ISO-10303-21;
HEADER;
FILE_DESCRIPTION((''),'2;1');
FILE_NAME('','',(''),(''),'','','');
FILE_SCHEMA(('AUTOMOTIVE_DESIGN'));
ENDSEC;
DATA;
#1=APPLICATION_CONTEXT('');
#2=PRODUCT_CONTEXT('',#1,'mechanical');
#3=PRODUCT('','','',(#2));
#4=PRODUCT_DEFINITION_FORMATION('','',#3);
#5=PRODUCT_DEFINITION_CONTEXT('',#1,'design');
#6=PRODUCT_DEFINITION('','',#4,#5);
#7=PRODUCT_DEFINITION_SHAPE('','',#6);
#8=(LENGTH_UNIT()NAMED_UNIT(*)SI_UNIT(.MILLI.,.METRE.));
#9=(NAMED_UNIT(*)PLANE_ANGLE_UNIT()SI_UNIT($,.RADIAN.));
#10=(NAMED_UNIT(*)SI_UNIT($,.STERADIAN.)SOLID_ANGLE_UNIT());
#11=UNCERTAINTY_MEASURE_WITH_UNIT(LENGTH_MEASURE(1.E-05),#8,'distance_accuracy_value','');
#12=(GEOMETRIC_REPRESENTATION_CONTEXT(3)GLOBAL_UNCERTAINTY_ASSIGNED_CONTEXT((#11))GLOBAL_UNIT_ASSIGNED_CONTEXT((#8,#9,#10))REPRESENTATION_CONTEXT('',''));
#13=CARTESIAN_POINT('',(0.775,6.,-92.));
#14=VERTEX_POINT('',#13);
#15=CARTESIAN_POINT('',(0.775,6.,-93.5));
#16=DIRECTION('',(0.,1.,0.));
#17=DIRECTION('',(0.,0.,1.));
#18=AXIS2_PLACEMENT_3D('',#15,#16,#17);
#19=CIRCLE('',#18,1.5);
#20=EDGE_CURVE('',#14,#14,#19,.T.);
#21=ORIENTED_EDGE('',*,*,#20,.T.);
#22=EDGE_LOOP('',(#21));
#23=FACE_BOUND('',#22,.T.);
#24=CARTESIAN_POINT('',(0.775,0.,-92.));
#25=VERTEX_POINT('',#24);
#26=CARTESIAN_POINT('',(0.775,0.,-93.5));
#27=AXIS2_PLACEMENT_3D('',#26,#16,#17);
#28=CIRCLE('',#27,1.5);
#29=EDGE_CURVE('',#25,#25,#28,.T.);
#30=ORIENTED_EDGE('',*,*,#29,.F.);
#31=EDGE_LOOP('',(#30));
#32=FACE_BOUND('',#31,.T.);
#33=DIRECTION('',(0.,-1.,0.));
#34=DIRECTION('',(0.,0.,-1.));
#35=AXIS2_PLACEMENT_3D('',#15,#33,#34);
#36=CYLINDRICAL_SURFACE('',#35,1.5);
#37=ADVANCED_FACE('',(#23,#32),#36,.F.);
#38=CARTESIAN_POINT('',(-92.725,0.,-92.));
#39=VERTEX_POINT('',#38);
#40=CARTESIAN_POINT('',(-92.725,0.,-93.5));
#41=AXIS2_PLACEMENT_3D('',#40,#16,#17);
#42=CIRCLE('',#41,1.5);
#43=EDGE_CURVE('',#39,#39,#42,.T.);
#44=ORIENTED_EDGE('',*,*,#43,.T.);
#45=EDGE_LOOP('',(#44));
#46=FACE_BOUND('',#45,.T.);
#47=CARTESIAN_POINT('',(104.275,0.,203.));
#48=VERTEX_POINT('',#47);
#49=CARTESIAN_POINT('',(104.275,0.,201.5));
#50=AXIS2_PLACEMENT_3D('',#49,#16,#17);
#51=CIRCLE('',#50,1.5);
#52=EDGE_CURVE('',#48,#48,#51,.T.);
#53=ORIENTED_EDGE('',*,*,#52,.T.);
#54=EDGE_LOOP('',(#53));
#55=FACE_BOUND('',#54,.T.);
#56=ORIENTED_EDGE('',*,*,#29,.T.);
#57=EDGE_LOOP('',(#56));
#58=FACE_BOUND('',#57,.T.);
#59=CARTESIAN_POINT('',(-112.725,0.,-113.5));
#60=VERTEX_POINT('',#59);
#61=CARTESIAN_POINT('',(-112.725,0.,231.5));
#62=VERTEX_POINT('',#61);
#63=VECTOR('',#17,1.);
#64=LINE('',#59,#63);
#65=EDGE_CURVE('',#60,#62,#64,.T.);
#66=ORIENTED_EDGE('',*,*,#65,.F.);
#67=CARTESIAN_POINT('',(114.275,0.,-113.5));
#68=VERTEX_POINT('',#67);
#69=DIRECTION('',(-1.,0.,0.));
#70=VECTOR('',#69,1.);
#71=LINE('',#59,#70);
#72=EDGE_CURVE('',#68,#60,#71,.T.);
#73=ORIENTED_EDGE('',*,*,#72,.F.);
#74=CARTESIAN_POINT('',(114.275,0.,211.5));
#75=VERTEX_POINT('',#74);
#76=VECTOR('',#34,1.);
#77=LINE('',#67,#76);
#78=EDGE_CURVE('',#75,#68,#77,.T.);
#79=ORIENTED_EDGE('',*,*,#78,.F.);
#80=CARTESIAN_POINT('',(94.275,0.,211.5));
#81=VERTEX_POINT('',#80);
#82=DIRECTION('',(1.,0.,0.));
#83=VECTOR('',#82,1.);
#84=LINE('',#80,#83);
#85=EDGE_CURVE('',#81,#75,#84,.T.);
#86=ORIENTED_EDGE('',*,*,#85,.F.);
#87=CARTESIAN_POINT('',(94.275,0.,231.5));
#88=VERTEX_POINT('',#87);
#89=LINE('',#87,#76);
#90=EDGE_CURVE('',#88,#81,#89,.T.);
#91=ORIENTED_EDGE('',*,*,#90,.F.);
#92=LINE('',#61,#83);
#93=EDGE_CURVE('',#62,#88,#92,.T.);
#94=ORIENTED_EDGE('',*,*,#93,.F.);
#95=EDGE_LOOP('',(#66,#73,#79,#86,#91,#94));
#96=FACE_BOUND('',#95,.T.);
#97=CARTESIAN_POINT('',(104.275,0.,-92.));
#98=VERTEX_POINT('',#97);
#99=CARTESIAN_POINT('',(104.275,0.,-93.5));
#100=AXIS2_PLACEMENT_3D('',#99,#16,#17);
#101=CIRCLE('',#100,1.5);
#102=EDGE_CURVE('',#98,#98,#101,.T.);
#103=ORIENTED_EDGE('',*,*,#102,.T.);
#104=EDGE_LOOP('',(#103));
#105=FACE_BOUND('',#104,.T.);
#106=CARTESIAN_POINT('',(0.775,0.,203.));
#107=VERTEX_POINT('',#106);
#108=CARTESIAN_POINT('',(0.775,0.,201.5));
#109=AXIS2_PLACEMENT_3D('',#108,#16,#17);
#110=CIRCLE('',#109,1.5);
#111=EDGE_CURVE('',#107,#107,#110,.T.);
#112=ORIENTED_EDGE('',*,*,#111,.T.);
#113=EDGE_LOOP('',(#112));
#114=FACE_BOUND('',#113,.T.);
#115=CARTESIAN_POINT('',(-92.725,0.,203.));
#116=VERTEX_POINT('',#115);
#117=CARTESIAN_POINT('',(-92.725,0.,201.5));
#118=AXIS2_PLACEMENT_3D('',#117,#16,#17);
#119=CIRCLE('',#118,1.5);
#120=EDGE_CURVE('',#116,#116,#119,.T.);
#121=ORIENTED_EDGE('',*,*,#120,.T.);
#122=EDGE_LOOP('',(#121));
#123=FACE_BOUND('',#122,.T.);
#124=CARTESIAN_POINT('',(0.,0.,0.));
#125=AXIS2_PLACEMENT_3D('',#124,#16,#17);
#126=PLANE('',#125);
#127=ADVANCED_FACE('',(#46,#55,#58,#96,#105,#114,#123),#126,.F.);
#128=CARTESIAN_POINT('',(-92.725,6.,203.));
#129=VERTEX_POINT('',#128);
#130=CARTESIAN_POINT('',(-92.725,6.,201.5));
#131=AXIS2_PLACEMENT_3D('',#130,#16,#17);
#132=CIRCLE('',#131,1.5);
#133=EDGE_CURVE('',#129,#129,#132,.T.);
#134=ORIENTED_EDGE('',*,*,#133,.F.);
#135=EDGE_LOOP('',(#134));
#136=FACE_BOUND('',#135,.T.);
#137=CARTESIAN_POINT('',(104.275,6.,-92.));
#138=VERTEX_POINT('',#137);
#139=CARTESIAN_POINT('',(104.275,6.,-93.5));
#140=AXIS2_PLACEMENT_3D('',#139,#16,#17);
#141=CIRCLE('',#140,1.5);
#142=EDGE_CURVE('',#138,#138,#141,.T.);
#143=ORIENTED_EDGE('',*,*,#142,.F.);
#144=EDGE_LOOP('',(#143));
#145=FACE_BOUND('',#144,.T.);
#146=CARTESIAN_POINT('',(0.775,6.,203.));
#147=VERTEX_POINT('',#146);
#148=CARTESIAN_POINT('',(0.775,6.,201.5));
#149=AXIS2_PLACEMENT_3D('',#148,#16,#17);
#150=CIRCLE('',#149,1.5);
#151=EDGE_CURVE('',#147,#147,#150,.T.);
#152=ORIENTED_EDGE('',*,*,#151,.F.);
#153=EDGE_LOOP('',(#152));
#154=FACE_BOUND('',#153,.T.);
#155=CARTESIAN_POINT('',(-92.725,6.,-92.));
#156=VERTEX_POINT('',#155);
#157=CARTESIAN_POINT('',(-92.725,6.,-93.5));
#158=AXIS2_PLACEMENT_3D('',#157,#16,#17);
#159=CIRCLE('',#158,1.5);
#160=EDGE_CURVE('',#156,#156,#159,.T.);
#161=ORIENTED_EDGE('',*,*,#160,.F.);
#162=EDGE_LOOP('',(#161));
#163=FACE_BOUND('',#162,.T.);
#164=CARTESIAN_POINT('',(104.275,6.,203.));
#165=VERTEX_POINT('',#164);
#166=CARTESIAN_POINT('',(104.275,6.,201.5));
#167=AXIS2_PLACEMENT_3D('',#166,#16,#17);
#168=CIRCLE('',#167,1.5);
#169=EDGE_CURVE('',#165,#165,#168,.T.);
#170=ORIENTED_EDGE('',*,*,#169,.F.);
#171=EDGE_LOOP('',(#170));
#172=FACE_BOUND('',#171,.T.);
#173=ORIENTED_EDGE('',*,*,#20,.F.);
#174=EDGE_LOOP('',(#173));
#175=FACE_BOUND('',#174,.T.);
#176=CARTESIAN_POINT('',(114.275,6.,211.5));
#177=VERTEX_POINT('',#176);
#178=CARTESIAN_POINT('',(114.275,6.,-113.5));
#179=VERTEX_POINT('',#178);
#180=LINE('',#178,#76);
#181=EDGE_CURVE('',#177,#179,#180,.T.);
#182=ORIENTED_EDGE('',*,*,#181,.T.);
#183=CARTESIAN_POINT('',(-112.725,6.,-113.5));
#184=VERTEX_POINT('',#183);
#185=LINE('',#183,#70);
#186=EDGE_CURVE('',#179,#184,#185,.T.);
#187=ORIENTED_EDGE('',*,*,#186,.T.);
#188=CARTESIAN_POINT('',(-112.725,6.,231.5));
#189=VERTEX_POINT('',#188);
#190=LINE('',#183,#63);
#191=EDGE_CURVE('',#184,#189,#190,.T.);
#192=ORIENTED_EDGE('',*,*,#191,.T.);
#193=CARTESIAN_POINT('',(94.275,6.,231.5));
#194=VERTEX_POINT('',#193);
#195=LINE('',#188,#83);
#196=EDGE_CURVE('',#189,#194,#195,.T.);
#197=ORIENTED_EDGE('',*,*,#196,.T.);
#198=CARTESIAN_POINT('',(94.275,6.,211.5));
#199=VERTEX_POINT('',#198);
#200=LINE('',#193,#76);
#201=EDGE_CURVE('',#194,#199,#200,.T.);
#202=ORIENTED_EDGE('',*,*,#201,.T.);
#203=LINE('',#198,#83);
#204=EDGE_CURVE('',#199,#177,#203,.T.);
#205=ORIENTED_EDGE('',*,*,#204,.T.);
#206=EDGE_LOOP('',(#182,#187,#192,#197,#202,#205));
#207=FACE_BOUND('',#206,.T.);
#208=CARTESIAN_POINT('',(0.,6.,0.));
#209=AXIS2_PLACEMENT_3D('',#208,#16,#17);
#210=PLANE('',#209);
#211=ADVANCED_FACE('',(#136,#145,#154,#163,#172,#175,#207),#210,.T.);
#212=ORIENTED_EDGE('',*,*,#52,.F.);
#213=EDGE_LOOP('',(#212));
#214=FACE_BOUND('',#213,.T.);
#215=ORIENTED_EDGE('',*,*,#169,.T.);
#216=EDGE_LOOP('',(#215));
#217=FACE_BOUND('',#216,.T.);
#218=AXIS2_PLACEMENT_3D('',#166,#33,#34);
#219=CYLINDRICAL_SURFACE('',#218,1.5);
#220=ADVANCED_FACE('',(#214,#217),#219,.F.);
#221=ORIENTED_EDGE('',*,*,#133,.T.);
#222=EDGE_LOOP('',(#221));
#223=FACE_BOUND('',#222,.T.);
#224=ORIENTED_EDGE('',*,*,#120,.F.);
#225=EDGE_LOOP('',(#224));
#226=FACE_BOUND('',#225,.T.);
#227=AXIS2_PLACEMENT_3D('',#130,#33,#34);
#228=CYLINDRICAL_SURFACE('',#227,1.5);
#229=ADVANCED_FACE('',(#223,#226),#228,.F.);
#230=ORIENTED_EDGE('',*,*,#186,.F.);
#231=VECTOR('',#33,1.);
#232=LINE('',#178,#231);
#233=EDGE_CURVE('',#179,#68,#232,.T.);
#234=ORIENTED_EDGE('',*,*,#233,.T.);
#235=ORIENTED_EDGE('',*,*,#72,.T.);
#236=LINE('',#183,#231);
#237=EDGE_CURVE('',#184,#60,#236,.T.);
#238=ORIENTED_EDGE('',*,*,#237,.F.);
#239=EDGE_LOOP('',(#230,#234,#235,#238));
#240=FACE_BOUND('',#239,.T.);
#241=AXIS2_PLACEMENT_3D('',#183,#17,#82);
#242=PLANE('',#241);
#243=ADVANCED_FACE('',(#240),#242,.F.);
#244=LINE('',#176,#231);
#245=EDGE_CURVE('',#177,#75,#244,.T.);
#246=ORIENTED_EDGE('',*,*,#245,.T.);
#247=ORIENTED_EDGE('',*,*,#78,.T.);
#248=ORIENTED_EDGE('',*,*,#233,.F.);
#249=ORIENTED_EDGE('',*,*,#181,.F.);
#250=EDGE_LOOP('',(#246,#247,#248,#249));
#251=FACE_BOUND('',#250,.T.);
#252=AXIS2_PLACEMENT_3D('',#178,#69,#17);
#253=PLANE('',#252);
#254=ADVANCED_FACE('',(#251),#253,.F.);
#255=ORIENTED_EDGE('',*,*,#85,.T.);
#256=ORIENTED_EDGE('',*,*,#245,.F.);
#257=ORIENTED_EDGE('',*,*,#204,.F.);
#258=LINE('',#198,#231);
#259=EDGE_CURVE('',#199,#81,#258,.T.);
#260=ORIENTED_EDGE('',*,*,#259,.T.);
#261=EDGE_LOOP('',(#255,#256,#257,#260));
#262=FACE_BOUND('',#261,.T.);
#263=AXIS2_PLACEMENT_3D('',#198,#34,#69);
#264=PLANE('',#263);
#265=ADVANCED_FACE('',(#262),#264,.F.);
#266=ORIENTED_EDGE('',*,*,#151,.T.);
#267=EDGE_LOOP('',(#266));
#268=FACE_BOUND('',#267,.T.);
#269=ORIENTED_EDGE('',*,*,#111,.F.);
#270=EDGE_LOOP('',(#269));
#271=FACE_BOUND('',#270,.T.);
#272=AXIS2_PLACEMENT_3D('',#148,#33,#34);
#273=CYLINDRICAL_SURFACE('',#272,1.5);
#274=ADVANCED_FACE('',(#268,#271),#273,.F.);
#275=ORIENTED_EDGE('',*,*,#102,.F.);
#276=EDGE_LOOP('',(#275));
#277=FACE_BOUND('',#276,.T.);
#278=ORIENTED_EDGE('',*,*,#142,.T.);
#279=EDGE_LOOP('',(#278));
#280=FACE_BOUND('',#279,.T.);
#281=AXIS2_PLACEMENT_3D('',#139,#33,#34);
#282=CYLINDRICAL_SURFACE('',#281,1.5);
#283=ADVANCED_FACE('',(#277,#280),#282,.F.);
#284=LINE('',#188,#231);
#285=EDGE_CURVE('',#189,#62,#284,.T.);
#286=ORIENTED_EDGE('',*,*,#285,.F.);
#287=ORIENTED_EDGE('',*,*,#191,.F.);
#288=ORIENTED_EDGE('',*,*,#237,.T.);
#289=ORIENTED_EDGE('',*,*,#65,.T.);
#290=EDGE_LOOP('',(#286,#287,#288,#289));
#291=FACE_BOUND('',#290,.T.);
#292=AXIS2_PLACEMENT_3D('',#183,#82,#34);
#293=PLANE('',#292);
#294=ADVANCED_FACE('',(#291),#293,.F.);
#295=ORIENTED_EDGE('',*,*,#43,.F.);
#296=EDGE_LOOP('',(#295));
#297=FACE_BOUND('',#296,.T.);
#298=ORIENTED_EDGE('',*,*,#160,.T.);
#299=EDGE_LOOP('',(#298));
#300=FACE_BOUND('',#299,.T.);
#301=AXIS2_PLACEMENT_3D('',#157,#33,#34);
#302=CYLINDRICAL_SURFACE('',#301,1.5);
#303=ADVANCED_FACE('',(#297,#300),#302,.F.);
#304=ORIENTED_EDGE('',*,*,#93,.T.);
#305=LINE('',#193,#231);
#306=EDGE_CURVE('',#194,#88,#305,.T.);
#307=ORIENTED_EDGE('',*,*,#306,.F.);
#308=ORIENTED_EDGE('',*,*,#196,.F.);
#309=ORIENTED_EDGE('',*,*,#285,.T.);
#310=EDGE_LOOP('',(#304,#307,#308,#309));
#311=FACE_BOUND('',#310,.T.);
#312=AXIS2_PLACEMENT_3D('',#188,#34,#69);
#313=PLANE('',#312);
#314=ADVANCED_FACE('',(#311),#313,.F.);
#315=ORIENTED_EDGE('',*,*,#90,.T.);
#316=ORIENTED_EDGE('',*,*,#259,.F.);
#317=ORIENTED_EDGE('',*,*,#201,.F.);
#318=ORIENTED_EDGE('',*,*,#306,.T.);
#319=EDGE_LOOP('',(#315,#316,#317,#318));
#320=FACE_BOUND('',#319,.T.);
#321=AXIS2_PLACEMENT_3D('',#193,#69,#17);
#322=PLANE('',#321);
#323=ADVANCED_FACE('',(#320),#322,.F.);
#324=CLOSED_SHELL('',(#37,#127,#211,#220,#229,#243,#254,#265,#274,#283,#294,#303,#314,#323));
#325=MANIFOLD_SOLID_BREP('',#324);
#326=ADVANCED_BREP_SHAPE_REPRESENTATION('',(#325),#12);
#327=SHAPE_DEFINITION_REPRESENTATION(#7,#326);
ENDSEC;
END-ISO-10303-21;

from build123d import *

# Parameters (mm, degrees)
SKETCH_1_R      = 1.5
EXTRUDE_1_DEPTH = 6


with BuildPart() as part:
    # 草图1 → 凸台-拉伸1 (new body)
    with BuildSketch(Plane(origin=(0, 0, 0), x_dir=(1, 0, 0), z_dir=(0, 1, 0))):
        Polygon((-112.725, 113.5), (114.275, 113.5), (114.275, -211.5), (94.275, -211.5), (94.275, -231.5), (-112.725, -231.5), align=None)
        with Locations(Location((-92.725, 93.5, 0), (0, 0, 270))):
            Circle(SKETCH_1_R, mode=Mode.SUBTRACT)
        with Locations(Location((104.275, 93.5, 0), (0, 0, 270))):
            Circle(SKETCH_1_R, mode=Mode.SUBTRACT)
        with Locations(Location((0.775, 93.5, 0), (0, 0, 270))):
            Circle(SKETCH_1_R, mode=Mode.SUBTRACT)
        with Locations(Location((-92.725, -201.5, 0), (0, 0, 270))):
            Circle(SKETCH_1_R, mode=Mode.SUBTRACT)
        with Locations(Location((0.775, -201.5, 0), (0, 0, 270))):
            Circle(SKETCH_1_R, mode=Mode.SUBTRACT)
        with Locations(Location((104.275, -201.5, 0), (0, 0, 270))):
            Circle(SKETCH_1_R, mode=Mode.SUBTRACT)
    extrude(amount=EXTRUDE_1_DEPTH)


solid = part.part
